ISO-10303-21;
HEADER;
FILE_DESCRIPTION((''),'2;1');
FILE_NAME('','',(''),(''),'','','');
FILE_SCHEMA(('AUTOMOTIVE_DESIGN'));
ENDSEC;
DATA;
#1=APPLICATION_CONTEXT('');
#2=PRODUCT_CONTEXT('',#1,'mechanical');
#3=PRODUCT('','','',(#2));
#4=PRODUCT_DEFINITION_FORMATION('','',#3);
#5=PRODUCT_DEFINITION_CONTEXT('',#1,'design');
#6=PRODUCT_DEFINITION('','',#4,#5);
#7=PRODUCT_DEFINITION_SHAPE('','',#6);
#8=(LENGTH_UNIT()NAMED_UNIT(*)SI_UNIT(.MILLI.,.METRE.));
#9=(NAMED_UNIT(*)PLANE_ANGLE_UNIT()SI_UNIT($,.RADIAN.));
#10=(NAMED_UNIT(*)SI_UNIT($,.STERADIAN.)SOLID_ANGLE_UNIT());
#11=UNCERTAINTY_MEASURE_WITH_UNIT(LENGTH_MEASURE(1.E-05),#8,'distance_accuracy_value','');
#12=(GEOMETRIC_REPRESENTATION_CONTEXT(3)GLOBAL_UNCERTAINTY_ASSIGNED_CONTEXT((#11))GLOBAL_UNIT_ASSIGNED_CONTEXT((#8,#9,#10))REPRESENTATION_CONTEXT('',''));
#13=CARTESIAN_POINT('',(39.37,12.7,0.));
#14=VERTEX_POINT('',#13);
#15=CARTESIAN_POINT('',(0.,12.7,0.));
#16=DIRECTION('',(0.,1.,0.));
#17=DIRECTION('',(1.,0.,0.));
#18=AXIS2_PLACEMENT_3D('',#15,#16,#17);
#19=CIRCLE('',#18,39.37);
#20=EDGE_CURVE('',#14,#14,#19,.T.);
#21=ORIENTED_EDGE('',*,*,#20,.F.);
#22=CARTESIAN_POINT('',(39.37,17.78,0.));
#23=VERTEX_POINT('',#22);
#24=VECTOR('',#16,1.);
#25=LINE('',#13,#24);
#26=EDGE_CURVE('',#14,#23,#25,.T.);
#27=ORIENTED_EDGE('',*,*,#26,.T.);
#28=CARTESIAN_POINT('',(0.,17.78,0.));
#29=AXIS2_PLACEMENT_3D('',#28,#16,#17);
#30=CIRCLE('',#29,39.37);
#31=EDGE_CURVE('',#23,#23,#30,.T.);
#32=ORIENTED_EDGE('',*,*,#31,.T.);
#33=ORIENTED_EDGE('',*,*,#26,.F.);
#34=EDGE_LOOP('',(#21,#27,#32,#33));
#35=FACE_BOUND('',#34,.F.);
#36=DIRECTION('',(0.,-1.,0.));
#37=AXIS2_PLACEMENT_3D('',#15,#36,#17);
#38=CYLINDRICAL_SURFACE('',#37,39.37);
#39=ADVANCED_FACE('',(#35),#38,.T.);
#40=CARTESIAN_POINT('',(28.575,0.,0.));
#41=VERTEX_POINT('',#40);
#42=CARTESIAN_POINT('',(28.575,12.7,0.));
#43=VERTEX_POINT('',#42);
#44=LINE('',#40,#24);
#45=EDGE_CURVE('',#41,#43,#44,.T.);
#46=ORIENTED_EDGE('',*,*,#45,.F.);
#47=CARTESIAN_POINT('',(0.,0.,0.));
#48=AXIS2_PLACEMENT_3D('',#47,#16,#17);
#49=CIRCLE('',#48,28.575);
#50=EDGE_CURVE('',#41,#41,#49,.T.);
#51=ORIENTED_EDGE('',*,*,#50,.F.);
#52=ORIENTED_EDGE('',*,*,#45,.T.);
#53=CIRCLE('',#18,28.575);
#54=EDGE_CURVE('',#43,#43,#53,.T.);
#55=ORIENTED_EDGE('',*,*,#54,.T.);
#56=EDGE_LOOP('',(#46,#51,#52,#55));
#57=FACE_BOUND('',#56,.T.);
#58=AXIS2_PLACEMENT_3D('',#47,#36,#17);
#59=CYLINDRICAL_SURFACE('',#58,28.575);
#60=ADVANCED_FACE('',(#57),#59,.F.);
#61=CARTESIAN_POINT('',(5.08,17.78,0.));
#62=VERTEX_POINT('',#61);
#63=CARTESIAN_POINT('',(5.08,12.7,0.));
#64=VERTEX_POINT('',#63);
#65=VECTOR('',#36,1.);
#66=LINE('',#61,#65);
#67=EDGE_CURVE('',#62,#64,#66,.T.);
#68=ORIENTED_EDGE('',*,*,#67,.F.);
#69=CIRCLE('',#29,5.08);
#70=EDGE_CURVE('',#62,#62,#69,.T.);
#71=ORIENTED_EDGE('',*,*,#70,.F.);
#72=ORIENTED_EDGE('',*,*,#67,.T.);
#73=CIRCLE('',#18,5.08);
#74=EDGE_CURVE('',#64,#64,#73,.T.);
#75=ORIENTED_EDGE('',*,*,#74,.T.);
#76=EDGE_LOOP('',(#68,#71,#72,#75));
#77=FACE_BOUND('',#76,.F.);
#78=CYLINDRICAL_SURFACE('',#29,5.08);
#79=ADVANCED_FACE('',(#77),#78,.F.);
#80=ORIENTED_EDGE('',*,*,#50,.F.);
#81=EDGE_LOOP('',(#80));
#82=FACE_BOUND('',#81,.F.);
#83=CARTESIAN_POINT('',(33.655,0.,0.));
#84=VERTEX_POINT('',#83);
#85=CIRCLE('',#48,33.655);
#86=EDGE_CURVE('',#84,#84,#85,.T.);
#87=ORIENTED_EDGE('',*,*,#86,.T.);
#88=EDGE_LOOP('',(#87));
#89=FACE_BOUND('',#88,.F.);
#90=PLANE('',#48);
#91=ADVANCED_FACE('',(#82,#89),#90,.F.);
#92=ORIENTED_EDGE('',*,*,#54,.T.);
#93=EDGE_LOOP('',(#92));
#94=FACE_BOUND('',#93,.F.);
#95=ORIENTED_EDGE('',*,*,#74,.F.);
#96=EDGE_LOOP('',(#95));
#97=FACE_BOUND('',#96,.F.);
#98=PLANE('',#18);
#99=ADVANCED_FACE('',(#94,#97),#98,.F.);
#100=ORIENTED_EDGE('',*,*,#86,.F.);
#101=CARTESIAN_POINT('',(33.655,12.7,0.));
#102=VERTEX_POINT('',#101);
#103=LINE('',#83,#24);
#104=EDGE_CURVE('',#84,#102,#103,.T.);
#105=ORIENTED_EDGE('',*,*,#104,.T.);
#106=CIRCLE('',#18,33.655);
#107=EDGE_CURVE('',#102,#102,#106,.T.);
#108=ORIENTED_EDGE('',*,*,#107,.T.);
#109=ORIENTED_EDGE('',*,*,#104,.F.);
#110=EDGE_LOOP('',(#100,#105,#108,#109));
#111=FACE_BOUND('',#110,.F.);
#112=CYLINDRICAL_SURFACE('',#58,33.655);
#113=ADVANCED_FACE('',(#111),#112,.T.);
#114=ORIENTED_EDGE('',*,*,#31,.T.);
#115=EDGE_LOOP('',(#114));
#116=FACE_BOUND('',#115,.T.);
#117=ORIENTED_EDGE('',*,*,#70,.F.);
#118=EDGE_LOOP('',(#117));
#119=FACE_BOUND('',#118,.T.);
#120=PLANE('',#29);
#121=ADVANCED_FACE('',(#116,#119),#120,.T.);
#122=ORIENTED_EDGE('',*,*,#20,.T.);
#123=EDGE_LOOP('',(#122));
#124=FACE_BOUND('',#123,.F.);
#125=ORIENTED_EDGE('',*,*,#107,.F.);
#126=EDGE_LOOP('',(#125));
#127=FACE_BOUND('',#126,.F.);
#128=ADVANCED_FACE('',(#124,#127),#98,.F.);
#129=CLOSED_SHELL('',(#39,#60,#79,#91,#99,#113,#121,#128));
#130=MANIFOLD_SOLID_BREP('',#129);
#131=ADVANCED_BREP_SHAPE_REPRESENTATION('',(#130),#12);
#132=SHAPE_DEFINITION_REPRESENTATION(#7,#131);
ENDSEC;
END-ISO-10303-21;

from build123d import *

# Parameters (mm, degrees)
SKETCH1_R               = 33.655
SKETCH1_R_2             = 28.575
BOSS_EXTRUDE1_DEPTH     = 12.7
SKETCH2_R               = 39.37
BOSS_EXTRUDE2_DEPTH     = 5.08
SKETCH3_R               = 5.08
CUT_EXTRUDE1_DEPTH      = 1
CUT_EXTRUDE1_DEPTH_BACK = 18.78


with BuildPart() as part:
    # Sketch1 → Boss-Extrude1 (new body)
    with BuildSketch(Plane(origin=(0, 0, 0), x_dir=(1, 0, 0), z_dir=(0, 1, 0))):
        Circle(SKETCH1_R)
        Circle(SKETCH1_R_2, mode=Mode.SUBTRACT)
    extrude(amount=BOSS_EXTRUDE1_DEPTH)

    # Sketch2 → Boss-Extrude2 (add)
    with BuildSketch(Plane(origin=(0, 12.7, 0), x_dir=(1, 0, 0), z_dir=(0, 1, 0))):
        Circle(SKETCH2_R)
    extrude(amount=BOSS_EXTRUDE2_DEPTH)

    # Sketch3 → Cut-Extrude1 (cut, two sides)
    with BuildSketch(Plane(origin=(0, 17.78, 0), x_dir=(1, 0, 0), z_dir=(0, 1, 0))) as cut_extrude1_sk:
        Circle(SKETCH3_R)
    extrude(amount=CUT_EXTRUDE1_DEPTH, mode=Mode.SUBTRACT)
    extrude(cut_extrude1_sk.sketch, amount=-CUT_EXTRUDE1_DEPTH_BACK, mode=Mode.SUBTRACT)


solid = part.part
